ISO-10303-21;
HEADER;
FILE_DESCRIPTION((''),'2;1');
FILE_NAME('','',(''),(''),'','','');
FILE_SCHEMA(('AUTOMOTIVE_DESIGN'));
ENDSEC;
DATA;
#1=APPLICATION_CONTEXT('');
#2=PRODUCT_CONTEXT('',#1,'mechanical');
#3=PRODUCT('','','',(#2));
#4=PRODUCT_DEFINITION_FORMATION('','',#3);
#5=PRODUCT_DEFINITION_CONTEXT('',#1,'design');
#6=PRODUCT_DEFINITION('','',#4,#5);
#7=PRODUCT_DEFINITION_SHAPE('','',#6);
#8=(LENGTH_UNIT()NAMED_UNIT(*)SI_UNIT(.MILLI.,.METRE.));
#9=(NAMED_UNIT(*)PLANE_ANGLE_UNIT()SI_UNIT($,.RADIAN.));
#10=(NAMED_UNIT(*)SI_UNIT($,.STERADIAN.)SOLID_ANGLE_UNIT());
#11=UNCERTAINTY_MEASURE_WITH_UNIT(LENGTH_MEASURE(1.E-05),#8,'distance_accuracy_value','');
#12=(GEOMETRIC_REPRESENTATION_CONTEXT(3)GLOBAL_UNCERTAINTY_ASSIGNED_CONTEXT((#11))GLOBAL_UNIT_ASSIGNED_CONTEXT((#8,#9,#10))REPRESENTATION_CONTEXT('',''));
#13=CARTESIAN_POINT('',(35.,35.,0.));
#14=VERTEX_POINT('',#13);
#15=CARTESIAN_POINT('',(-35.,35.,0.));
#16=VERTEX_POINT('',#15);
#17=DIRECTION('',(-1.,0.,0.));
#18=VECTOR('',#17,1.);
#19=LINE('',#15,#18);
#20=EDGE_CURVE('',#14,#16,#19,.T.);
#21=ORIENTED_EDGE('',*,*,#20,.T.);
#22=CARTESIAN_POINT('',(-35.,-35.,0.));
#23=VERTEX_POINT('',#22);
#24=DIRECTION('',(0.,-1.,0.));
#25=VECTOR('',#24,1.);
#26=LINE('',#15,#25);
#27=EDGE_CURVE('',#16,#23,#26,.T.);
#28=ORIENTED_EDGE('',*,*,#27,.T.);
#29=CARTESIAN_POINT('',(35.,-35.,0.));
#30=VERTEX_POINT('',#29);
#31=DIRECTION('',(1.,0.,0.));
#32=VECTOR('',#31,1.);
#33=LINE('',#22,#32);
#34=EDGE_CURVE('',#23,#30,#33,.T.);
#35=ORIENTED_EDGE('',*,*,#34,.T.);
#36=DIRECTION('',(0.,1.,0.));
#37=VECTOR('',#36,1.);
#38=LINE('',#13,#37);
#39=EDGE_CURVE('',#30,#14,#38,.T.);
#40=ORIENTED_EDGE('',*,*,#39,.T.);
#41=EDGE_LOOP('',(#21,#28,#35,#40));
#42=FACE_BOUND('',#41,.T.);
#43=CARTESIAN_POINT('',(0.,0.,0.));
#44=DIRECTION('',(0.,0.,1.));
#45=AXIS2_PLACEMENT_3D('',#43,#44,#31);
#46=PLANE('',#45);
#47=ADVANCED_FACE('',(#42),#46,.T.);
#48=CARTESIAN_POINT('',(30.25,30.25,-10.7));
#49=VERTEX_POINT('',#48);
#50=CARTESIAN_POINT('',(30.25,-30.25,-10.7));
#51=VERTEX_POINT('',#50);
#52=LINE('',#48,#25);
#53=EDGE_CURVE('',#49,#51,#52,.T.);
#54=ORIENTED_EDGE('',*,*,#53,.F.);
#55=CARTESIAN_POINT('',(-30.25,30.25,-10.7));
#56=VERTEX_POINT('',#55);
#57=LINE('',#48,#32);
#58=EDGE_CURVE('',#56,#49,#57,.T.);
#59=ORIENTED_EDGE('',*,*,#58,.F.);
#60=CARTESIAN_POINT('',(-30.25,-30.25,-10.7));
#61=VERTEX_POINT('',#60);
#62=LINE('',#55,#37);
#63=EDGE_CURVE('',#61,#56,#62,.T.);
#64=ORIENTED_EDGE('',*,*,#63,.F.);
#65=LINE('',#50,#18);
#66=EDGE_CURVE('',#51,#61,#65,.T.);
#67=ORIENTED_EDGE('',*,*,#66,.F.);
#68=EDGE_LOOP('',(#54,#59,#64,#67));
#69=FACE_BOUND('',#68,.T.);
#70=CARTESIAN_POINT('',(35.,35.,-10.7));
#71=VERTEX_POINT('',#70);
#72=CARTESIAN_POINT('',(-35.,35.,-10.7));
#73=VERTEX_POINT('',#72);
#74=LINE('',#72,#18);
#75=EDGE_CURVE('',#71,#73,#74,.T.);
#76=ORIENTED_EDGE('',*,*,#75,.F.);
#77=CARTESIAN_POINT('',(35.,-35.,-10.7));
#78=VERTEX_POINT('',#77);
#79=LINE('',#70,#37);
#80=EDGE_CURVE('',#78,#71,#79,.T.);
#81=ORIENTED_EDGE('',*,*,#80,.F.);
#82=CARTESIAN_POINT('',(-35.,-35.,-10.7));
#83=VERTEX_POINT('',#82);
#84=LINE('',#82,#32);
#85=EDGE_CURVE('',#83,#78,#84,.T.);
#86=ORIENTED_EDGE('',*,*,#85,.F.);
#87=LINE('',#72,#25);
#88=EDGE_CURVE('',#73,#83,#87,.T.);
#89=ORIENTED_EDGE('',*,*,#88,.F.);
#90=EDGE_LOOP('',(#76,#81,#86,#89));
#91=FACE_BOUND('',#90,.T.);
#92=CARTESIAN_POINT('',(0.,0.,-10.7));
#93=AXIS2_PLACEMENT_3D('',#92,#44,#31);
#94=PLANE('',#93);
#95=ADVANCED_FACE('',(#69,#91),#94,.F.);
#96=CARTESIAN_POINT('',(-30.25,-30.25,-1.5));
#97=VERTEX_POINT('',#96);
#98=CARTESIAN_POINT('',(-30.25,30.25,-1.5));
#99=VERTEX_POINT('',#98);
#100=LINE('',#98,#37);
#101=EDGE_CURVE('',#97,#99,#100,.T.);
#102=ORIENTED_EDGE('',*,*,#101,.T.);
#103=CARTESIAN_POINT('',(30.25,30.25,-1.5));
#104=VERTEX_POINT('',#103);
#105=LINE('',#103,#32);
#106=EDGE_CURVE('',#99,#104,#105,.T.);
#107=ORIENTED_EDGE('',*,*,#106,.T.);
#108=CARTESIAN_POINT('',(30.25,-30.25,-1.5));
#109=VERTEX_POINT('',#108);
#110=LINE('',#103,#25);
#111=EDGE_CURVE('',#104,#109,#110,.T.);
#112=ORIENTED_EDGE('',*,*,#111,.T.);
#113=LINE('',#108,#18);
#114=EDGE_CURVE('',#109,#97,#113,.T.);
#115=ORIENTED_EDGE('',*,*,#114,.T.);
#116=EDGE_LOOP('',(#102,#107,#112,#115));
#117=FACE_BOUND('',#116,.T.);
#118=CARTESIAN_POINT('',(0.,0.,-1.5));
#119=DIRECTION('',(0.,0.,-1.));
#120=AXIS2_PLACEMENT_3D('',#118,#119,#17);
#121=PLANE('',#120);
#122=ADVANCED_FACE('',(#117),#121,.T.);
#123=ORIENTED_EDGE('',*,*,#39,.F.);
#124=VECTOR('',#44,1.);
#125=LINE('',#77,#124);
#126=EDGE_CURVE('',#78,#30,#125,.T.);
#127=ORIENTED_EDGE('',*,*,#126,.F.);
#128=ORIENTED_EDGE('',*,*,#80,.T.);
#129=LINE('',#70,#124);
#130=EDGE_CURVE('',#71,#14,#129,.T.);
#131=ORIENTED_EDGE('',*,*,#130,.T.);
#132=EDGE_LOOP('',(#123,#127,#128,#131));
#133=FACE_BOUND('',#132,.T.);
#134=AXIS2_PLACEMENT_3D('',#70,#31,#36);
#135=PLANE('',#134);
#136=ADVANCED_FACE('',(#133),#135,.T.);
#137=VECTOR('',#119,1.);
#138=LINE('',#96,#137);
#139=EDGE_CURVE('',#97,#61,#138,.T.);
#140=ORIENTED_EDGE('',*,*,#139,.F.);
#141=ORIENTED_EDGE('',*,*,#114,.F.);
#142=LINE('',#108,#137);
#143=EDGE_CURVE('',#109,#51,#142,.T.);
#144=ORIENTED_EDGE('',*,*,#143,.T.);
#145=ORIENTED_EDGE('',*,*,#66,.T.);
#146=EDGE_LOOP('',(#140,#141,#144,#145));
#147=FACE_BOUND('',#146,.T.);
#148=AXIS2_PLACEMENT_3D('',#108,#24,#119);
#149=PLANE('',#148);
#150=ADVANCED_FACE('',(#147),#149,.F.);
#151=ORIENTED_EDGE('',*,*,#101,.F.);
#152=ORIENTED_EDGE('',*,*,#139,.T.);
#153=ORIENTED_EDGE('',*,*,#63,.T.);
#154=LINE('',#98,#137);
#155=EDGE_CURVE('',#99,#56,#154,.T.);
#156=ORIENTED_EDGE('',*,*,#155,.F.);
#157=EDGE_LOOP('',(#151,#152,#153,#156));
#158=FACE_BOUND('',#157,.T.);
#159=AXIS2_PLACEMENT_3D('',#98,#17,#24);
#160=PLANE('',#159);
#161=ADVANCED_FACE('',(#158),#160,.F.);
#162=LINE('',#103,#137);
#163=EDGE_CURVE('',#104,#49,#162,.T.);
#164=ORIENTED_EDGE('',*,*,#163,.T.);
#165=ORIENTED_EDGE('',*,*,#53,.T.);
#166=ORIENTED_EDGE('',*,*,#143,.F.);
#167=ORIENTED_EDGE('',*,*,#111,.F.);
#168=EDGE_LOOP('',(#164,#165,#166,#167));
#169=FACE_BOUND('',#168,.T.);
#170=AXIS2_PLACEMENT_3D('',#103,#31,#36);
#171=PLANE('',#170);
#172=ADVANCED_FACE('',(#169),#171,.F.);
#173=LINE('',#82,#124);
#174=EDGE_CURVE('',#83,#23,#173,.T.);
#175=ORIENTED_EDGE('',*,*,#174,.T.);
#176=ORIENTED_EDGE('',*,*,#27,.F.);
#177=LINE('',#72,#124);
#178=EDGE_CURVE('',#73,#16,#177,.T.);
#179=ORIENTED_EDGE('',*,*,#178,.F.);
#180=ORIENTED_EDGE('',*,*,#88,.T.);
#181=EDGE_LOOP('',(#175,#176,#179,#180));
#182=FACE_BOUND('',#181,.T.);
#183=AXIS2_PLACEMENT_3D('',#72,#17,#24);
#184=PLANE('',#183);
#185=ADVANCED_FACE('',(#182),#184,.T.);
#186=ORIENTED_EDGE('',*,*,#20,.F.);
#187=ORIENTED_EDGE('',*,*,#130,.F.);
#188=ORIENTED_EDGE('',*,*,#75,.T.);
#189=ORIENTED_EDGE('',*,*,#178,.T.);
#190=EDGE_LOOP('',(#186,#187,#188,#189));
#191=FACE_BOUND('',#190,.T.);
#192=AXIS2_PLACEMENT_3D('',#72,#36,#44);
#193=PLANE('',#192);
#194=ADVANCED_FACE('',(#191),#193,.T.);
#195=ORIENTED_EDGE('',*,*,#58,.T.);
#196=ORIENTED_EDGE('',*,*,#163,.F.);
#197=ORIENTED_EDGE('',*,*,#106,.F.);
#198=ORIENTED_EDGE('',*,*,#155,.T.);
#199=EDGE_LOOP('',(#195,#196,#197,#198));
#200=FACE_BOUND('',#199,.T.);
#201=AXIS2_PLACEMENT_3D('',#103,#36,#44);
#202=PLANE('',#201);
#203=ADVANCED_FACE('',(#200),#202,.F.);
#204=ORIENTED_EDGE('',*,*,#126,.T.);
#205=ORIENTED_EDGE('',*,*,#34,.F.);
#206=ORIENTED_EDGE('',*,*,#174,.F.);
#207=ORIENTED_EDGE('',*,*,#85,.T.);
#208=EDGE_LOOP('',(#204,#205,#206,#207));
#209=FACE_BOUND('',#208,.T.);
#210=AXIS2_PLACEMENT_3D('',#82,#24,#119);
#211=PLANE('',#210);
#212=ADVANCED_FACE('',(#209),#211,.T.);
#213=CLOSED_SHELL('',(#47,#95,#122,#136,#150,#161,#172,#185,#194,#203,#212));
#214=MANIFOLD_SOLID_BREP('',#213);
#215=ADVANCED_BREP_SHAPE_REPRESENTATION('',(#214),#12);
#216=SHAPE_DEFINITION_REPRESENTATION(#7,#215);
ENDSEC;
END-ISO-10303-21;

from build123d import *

# Parameters (mm, degrees)
SKETCH_1_W          = 70
SKETCH_1_H          = 70
EXTRUDE_1_DEPTH     = 10.7
SKETCH_2_W          = 60.5
SKETCH_2_H          = 60.5
CUT_EXTRUDE_1_DEPTH = 9.2


with BuildPart() as part:
    # Эскиз1 → Бобышка-Вытянуть1 (new body)
    with BuildSketch(Plane.XY):
        Rectangle(SKETCH_1_W, SKETCH_1_H)
    extrude(amount=-EXTRUDE_1_DEPTH)

    # Эскиз2 → Вырез-Вытянуть1 (cut)
    with BuildSketch(Plane(origin=(0, 0, -10.7), x_dir=(-1, 0, 0), z_dir=(0, 0, -1))):
        Rectangle(SKETCH_2_W, SKETCH_2_H)
    extrude(amount=-CUT_EXTRUDE_1_DEPTH, mode=Mode.SUBTRACT)


solid = part.part
